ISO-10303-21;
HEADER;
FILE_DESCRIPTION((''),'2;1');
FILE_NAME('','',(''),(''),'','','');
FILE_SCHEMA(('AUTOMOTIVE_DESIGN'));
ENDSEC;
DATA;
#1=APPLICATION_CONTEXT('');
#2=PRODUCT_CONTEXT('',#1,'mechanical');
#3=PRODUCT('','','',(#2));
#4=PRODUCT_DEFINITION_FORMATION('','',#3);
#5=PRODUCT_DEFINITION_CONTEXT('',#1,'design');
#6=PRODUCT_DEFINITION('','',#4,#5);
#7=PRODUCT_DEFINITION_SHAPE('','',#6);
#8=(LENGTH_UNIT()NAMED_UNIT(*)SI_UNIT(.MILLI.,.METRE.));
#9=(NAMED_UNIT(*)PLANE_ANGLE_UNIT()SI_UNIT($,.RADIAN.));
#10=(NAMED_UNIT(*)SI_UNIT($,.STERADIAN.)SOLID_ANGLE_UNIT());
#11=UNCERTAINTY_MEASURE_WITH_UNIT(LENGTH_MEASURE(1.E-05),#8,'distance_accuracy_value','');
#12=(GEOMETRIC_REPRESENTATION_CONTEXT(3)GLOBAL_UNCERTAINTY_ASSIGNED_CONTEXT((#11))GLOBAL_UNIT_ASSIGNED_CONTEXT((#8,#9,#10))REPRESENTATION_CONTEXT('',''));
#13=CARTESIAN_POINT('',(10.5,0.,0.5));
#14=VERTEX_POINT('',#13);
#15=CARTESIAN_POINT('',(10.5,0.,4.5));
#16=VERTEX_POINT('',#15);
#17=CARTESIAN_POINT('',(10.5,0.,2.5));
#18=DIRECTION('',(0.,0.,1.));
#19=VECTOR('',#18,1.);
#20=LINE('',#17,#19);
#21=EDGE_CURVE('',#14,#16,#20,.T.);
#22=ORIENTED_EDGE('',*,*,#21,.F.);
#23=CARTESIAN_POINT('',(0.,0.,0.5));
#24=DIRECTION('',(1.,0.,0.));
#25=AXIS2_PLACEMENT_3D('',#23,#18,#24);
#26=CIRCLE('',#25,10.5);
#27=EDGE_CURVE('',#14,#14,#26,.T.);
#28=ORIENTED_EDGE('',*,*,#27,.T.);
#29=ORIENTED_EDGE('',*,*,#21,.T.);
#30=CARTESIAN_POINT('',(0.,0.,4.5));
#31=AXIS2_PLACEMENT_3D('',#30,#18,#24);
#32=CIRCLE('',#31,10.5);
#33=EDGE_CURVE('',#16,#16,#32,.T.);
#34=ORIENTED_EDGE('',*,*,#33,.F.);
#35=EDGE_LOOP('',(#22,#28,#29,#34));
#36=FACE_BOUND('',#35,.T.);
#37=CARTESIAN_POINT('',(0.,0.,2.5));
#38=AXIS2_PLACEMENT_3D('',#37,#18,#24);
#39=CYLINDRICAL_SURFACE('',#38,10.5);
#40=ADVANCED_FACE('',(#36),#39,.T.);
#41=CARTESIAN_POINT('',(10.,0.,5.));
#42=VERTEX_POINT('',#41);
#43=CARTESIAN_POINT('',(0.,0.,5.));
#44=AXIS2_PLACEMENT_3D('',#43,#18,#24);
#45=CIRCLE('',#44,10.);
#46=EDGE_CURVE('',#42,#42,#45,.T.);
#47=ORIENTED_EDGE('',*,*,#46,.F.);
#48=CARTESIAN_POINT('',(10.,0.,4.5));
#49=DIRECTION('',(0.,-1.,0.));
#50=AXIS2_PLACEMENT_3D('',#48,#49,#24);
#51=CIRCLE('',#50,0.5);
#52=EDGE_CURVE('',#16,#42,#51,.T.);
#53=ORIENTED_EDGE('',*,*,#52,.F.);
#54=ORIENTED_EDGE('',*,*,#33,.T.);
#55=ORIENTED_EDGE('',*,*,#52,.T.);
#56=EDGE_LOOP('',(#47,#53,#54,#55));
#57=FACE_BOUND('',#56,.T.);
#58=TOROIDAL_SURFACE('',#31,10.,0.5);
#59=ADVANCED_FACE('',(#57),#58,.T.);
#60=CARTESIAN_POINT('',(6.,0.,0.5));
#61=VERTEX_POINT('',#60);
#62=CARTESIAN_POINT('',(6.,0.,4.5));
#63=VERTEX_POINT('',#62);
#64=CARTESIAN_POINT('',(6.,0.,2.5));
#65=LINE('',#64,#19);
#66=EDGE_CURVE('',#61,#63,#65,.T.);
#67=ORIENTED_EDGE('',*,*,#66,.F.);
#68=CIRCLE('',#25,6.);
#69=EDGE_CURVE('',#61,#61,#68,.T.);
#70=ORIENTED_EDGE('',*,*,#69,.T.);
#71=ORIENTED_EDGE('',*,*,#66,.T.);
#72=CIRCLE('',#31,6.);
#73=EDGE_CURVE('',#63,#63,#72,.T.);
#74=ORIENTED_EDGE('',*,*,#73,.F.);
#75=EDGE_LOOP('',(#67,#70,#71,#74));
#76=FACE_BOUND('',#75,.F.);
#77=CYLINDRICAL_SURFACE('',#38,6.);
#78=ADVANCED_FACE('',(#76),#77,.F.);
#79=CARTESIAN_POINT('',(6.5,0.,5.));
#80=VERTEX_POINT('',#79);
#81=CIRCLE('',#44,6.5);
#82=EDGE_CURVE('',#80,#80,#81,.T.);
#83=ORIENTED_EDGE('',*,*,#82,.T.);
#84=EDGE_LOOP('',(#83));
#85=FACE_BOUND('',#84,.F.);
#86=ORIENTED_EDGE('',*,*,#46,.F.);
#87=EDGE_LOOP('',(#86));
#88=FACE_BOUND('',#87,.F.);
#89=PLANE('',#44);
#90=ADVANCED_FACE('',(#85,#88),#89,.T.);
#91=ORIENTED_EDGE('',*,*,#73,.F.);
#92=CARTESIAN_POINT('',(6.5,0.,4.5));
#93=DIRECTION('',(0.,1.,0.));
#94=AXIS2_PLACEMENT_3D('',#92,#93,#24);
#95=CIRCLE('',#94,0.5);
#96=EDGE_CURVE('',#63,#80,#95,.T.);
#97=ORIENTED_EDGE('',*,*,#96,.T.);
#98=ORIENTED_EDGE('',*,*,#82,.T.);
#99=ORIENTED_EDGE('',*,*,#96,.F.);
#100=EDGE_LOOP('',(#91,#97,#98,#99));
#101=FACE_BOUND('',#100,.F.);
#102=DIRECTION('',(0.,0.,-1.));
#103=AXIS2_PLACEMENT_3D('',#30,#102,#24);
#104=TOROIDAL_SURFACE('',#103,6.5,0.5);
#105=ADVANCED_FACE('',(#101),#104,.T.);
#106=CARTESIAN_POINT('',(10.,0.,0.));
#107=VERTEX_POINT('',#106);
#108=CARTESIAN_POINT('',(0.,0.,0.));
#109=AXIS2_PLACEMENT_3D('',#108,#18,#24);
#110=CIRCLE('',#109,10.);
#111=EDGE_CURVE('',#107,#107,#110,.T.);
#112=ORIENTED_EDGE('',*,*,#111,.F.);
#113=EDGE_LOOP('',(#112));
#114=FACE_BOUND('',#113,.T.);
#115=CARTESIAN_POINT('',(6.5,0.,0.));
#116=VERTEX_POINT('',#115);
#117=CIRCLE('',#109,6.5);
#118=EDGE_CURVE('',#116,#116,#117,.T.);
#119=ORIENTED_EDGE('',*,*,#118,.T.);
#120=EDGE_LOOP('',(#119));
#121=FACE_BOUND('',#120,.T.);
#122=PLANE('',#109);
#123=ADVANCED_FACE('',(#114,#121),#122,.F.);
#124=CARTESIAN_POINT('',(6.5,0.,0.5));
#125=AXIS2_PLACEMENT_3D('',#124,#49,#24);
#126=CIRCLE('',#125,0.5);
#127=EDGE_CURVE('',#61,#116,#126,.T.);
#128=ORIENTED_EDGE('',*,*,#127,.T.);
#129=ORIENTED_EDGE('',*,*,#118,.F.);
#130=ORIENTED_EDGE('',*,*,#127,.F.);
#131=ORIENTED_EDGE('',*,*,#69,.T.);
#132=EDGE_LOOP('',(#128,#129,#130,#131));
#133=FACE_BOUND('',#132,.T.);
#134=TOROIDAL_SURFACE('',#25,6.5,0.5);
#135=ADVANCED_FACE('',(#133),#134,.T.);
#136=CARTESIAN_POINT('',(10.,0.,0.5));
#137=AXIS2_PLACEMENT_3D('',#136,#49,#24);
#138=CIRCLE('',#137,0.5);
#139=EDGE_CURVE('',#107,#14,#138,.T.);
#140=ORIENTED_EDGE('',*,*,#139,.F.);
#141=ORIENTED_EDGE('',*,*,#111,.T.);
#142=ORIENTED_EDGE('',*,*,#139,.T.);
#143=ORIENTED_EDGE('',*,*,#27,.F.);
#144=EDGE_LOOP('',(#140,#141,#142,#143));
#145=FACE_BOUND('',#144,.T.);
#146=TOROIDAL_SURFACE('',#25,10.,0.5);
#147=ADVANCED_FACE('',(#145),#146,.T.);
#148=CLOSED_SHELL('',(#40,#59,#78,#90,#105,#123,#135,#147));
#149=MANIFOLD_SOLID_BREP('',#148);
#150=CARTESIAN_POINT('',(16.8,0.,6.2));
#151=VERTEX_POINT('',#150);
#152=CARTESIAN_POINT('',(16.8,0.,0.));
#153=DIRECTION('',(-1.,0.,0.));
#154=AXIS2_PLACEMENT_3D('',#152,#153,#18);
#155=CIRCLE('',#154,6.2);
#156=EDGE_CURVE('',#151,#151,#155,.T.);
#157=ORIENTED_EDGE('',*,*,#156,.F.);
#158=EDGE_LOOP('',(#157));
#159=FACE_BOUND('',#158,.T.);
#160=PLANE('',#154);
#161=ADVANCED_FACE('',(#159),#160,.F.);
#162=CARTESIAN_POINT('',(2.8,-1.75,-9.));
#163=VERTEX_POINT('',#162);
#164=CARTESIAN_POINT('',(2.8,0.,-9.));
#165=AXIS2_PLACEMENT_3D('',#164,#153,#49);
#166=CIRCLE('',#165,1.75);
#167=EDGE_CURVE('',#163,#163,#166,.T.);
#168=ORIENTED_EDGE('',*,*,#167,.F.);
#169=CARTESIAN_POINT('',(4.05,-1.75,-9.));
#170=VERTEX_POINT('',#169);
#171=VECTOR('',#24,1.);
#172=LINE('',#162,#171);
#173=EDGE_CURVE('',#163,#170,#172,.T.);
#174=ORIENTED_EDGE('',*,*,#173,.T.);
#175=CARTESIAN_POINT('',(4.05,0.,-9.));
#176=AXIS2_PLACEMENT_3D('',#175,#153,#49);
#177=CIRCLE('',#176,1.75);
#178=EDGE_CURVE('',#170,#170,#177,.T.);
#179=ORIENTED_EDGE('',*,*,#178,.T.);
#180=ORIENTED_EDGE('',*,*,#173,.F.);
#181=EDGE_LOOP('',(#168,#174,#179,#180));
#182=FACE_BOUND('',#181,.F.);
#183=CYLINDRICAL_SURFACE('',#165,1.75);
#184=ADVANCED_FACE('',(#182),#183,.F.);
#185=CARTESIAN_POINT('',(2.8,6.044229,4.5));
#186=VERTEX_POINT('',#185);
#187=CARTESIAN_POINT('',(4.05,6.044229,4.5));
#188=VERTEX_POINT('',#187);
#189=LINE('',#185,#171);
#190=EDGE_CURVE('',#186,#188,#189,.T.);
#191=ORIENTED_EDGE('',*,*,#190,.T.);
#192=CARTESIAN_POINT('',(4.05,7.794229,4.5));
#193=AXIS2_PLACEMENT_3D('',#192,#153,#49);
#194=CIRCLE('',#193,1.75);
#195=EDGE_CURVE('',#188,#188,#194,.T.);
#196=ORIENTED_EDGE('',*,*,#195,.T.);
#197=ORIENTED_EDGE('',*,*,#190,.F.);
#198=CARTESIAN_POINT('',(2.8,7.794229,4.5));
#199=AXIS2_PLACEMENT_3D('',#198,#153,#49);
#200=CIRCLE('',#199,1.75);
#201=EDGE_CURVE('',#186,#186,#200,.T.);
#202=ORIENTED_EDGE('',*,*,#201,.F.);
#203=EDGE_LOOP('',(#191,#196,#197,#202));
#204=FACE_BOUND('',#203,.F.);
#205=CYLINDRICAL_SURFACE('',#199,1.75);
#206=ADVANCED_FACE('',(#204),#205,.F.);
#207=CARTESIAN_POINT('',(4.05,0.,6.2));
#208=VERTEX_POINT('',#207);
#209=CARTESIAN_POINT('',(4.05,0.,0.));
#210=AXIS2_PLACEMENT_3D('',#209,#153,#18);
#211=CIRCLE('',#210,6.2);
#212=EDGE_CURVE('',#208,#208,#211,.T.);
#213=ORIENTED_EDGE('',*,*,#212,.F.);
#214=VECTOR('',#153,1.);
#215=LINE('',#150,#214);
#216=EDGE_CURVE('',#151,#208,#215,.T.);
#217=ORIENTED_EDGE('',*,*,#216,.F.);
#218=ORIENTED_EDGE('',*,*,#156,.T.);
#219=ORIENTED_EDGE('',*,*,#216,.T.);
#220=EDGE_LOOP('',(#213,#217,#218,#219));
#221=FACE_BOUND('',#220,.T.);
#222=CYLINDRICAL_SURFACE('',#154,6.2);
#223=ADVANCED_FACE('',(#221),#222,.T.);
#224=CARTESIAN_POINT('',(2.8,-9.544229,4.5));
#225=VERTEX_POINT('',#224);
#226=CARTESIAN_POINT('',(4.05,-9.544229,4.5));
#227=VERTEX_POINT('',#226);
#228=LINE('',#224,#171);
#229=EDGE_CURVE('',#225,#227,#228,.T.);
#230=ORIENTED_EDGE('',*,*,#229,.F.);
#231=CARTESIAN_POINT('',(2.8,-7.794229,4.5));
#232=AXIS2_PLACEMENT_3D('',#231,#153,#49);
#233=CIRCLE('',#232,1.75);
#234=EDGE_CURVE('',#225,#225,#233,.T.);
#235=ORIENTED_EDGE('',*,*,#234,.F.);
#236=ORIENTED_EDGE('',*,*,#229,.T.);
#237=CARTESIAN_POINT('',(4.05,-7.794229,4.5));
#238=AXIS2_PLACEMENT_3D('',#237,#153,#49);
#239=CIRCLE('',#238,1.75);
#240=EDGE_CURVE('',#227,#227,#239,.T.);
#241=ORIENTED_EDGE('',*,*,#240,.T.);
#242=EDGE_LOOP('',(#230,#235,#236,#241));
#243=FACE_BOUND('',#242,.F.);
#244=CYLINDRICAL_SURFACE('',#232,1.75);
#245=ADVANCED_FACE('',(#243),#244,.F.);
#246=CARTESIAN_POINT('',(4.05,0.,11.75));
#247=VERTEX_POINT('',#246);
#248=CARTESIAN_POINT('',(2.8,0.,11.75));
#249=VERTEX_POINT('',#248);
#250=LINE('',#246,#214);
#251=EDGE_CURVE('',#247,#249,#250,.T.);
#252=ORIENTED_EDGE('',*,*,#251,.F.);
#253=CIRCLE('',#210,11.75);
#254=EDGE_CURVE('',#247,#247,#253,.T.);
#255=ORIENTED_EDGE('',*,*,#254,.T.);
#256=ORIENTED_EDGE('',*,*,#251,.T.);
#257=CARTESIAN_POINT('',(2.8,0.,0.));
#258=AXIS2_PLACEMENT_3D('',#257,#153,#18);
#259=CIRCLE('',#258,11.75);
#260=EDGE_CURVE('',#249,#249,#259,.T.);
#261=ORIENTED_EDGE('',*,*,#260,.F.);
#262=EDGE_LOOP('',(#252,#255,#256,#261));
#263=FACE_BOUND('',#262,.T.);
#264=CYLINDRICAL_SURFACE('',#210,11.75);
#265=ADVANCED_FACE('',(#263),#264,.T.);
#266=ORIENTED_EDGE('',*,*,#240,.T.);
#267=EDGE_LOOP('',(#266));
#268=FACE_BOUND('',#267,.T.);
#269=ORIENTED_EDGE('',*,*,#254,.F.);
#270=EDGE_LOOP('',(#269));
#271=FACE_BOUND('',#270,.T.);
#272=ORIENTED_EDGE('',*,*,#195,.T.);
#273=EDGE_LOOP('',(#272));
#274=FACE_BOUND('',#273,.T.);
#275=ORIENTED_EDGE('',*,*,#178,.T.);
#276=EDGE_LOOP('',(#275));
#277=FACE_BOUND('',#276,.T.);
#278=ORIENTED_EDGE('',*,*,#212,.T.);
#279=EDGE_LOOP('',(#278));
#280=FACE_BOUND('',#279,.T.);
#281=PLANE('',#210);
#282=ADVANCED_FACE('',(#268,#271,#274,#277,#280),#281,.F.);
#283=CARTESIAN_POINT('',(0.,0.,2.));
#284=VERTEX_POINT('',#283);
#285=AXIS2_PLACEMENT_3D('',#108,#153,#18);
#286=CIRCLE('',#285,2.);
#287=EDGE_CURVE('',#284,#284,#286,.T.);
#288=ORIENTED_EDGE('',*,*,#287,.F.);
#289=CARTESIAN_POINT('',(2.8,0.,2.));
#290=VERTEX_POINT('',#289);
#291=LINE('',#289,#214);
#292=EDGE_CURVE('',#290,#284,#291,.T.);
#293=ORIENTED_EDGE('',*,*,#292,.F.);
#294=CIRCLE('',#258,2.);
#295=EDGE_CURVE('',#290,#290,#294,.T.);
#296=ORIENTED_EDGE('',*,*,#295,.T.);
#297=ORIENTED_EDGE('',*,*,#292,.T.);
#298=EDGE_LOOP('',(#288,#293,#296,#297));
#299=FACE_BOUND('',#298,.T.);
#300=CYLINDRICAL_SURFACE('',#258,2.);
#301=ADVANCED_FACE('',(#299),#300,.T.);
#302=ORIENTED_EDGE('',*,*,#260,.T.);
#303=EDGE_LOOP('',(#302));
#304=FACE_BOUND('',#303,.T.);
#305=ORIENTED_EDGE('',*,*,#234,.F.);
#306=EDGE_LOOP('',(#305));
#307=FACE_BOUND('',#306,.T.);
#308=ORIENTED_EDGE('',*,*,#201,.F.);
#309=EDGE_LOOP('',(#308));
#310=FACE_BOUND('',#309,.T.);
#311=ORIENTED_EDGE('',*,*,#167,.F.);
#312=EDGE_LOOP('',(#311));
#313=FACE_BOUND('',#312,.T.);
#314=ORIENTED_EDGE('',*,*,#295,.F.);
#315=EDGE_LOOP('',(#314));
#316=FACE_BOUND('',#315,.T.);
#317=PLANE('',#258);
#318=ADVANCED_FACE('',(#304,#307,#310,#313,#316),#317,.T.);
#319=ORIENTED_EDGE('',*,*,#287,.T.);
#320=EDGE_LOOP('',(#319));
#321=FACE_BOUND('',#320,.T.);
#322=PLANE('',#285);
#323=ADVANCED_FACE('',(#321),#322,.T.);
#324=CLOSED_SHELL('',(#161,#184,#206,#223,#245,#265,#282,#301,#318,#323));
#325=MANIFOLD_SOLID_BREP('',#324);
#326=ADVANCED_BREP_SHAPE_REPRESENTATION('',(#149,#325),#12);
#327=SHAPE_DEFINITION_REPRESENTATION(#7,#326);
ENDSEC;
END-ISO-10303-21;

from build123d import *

# Parameters (mm, degrees)
F2_R     = 1.75
F3_DEPTH = 14.001
F4_W     = 4.5
F4_H     = 5
F6_R     = 0.5


with BuildPart() as f1:
    # F0 (on Front) → F1 (revolve)
    with BuildSketch(Plane.XZ):
        Polygon((2.8, 11.75), (2.8, 2), (0, 2), (0, 0), (16.8, 0), (16.8, 6.2), (4.05, 6.2), (4.05, 11.75), align=None)
    revolve(axis=Axis((-2.24936, 0, 0), (-1, 0, 0)))

    # F2 (on face) → F3 (cut, through all)
    with BuildSketch(Plane(origin=(2.8, 0, 0), x_dir=(0, -1, 0), z_dir=(-1, 0, 0))):
        with Locations((-7.794229, 4.5)):
            Circle(F2_R)
        with Locations((7.794229, 4.5)):
            Circle(F2_R)
        with Locations((0, -9)):
            Circle(F2_R)
    extrude(amount=-F3_DEPTH, mode=Mode.SUBTRACT)


with BuildPart() as f5:
    # F4 (on Front) → F5 (revolve)
    with BuildSketch(Plane.XZ):
        with Locations((8.25, 2.5)):
            Rectangle(F4_W, F4_H)
    revolve(axis=Axis((0, 0, 0.355656), (0, 0, 1)))

    # F6
    f6_edges = [f5.edges().sort_by_distance(p)[0] for p in [
        (-10.5, 0, 5),
        (-6, 0, 5),
        (-6, 0, 0),
        (-10.5, 0, 0),
    ]]
    fillet(f6_edges, radius=F6_R)


solid = Compound([f1.part, f5.part])
